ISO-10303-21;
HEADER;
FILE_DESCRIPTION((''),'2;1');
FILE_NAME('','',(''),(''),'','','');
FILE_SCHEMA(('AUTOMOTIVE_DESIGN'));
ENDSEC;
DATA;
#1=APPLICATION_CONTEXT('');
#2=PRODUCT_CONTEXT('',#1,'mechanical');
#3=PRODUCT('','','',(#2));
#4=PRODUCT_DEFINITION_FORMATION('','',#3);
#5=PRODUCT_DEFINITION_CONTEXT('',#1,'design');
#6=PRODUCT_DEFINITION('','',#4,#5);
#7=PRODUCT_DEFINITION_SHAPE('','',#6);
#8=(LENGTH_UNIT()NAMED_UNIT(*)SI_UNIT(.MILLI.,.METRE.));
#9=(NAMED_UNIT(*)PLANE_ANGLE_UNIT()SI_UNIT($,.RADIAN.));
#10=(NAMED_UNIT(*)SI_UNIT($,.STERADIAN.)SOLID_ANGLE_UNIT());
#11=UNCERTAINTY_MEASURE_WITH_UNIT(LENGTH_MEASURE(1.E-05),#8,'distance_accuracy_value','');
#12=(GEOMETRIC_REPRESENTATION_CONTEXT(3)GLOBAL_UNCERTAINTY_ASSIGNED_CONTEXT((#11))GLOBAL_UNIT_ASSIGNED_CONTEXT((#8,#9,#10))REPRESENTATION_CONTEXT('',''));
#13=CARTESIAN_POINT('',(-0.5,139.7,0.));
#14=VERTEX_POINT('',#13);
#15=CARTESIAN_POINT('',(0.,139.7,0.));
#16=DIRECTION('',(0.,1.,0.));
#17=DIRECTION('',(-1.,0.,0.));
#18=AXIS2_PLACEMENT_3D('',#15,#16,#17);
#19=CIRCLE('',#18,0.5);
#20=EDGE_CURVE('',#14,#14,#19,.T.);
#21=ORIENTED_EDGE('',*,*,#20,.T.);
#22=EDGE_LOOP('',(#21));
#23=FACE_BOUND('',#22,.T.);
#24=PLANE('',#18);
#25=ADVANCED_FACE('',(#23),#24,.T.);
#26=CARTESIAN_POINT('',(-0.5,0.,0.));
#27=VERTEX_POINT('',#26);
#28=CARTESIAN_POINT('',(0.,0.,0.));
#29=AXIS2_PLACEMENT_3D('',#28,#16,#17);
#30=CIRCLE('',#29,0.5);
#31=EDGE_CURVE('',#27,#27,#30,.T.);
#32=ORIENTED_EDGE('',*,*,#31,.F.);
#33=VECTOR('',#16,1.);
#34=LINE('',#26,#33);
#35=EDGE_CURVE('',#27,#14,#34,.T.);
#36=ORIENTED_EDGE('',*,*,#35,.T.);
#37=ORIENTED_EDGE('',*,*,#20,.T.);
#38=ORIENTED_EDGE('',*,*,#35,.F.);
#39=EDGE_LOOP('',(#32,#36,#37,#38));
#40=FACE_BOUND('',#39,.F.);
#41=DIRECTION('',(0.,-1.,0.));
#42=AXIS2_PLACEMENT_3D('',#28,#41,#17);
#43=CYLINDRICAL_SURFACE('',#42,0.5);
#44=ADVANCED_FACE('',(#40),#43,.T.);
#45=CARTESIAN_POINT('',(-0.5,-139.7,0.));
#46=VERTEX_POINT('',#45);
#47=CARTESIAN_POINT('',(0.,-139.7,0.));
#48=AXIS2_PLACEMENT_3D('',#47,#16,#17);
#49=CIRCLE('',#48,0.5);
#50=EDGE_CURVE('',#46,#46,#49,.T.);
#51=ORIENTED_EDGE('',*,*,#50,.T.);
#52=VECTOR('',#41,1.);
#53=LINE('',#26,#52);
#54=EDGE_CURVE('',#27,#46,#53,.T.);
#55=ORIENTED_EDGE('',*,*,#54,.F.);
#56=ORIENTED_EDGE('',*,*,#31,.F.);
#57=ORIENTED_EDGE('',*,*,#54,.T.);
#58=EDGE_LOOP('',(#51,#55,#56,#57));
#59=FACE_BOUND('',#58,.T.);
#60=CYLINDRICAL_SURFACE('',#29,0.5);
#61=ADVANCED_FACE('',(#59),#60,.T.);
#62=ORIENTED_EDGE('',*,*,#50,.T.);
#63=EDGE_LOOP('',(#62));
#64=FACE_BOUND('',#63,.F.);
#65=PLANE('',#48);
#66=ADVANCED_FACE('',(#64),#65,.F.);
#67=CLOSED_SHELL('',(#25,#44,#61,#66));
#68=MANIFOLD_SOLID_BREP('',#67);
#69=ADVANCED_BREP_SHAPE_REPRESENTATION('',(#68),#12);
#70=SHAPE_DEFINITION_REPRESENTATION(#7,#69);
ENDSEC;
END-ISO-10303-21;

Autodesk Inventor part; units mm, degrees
ref_plane "YZ Plane" through (0, 0, 0) normal (1, 0, 0) x (0, 1, 0)
ref_plane "XZ Plane" through (0, 0, 0) normal (0, 1, 0) x (-1, 0, 0)
ref_plane "XY Plane" through (0, 0, 0) normal (0, 0, 1) x (1, 0, 0)
sketch "Sketch1" plane through (0, 0, 0) normal (0, 1, 0) x (-1, 0, 0)
  circle A0 centre (0, 0) radius 0.5
  dimension "d0" = 1
extrude "Extrusion1" add sketch "Sketch1" along normal mid plane 279.4
equation "\"d0\" = fiberDiameter"
equation "\"d1\" = glassTubeLength"
equation "\"tubeHeight\" = 50.8"
equation "\"tubeWidth\" = 101.6"
equation "\"tubeLength\" = 304.8"
equation "\"tubeWallThickness\" = 3.175"
equation "\"plateOverhang\" = 6.35"
equation "\"moatWidth\" = 3.175"
equation "\"moatDepth\" = 3.175"
equation "\"tubePlateClearance\" = 0.127"
equation "\"blankCapThickness\" = 9.525"
equation "\"sensorCapThickness\" = 12.7"
equation "\"glassTubeDiameter\" = 12.7"
equation "\"glassTubeClearance\" = 0.19844"
equation "\"glassTubeID\" = 7.874"
equation "\"glassTubeLength\" = 279.4"
equation "\"longHoleSpacing\" = 30.48"
equation "\"shortHoleSpacing\" = 21.59"
equation "\"sensorHolderDiameter\" = 50.8"
equation "\"sensorHolderThickness\" = 12.7"
equation "\"fiberDiameter\" = 1"
equation "\"fiberClearance\" = 0"
equation "\"oRingID\" = 22.2504"
equation "\"oRingGrooveWidth\" = 2.54"
equation "\"oRingGrooveDepth\" = 1.2446"
properties part number "fiber" material "Glass"
